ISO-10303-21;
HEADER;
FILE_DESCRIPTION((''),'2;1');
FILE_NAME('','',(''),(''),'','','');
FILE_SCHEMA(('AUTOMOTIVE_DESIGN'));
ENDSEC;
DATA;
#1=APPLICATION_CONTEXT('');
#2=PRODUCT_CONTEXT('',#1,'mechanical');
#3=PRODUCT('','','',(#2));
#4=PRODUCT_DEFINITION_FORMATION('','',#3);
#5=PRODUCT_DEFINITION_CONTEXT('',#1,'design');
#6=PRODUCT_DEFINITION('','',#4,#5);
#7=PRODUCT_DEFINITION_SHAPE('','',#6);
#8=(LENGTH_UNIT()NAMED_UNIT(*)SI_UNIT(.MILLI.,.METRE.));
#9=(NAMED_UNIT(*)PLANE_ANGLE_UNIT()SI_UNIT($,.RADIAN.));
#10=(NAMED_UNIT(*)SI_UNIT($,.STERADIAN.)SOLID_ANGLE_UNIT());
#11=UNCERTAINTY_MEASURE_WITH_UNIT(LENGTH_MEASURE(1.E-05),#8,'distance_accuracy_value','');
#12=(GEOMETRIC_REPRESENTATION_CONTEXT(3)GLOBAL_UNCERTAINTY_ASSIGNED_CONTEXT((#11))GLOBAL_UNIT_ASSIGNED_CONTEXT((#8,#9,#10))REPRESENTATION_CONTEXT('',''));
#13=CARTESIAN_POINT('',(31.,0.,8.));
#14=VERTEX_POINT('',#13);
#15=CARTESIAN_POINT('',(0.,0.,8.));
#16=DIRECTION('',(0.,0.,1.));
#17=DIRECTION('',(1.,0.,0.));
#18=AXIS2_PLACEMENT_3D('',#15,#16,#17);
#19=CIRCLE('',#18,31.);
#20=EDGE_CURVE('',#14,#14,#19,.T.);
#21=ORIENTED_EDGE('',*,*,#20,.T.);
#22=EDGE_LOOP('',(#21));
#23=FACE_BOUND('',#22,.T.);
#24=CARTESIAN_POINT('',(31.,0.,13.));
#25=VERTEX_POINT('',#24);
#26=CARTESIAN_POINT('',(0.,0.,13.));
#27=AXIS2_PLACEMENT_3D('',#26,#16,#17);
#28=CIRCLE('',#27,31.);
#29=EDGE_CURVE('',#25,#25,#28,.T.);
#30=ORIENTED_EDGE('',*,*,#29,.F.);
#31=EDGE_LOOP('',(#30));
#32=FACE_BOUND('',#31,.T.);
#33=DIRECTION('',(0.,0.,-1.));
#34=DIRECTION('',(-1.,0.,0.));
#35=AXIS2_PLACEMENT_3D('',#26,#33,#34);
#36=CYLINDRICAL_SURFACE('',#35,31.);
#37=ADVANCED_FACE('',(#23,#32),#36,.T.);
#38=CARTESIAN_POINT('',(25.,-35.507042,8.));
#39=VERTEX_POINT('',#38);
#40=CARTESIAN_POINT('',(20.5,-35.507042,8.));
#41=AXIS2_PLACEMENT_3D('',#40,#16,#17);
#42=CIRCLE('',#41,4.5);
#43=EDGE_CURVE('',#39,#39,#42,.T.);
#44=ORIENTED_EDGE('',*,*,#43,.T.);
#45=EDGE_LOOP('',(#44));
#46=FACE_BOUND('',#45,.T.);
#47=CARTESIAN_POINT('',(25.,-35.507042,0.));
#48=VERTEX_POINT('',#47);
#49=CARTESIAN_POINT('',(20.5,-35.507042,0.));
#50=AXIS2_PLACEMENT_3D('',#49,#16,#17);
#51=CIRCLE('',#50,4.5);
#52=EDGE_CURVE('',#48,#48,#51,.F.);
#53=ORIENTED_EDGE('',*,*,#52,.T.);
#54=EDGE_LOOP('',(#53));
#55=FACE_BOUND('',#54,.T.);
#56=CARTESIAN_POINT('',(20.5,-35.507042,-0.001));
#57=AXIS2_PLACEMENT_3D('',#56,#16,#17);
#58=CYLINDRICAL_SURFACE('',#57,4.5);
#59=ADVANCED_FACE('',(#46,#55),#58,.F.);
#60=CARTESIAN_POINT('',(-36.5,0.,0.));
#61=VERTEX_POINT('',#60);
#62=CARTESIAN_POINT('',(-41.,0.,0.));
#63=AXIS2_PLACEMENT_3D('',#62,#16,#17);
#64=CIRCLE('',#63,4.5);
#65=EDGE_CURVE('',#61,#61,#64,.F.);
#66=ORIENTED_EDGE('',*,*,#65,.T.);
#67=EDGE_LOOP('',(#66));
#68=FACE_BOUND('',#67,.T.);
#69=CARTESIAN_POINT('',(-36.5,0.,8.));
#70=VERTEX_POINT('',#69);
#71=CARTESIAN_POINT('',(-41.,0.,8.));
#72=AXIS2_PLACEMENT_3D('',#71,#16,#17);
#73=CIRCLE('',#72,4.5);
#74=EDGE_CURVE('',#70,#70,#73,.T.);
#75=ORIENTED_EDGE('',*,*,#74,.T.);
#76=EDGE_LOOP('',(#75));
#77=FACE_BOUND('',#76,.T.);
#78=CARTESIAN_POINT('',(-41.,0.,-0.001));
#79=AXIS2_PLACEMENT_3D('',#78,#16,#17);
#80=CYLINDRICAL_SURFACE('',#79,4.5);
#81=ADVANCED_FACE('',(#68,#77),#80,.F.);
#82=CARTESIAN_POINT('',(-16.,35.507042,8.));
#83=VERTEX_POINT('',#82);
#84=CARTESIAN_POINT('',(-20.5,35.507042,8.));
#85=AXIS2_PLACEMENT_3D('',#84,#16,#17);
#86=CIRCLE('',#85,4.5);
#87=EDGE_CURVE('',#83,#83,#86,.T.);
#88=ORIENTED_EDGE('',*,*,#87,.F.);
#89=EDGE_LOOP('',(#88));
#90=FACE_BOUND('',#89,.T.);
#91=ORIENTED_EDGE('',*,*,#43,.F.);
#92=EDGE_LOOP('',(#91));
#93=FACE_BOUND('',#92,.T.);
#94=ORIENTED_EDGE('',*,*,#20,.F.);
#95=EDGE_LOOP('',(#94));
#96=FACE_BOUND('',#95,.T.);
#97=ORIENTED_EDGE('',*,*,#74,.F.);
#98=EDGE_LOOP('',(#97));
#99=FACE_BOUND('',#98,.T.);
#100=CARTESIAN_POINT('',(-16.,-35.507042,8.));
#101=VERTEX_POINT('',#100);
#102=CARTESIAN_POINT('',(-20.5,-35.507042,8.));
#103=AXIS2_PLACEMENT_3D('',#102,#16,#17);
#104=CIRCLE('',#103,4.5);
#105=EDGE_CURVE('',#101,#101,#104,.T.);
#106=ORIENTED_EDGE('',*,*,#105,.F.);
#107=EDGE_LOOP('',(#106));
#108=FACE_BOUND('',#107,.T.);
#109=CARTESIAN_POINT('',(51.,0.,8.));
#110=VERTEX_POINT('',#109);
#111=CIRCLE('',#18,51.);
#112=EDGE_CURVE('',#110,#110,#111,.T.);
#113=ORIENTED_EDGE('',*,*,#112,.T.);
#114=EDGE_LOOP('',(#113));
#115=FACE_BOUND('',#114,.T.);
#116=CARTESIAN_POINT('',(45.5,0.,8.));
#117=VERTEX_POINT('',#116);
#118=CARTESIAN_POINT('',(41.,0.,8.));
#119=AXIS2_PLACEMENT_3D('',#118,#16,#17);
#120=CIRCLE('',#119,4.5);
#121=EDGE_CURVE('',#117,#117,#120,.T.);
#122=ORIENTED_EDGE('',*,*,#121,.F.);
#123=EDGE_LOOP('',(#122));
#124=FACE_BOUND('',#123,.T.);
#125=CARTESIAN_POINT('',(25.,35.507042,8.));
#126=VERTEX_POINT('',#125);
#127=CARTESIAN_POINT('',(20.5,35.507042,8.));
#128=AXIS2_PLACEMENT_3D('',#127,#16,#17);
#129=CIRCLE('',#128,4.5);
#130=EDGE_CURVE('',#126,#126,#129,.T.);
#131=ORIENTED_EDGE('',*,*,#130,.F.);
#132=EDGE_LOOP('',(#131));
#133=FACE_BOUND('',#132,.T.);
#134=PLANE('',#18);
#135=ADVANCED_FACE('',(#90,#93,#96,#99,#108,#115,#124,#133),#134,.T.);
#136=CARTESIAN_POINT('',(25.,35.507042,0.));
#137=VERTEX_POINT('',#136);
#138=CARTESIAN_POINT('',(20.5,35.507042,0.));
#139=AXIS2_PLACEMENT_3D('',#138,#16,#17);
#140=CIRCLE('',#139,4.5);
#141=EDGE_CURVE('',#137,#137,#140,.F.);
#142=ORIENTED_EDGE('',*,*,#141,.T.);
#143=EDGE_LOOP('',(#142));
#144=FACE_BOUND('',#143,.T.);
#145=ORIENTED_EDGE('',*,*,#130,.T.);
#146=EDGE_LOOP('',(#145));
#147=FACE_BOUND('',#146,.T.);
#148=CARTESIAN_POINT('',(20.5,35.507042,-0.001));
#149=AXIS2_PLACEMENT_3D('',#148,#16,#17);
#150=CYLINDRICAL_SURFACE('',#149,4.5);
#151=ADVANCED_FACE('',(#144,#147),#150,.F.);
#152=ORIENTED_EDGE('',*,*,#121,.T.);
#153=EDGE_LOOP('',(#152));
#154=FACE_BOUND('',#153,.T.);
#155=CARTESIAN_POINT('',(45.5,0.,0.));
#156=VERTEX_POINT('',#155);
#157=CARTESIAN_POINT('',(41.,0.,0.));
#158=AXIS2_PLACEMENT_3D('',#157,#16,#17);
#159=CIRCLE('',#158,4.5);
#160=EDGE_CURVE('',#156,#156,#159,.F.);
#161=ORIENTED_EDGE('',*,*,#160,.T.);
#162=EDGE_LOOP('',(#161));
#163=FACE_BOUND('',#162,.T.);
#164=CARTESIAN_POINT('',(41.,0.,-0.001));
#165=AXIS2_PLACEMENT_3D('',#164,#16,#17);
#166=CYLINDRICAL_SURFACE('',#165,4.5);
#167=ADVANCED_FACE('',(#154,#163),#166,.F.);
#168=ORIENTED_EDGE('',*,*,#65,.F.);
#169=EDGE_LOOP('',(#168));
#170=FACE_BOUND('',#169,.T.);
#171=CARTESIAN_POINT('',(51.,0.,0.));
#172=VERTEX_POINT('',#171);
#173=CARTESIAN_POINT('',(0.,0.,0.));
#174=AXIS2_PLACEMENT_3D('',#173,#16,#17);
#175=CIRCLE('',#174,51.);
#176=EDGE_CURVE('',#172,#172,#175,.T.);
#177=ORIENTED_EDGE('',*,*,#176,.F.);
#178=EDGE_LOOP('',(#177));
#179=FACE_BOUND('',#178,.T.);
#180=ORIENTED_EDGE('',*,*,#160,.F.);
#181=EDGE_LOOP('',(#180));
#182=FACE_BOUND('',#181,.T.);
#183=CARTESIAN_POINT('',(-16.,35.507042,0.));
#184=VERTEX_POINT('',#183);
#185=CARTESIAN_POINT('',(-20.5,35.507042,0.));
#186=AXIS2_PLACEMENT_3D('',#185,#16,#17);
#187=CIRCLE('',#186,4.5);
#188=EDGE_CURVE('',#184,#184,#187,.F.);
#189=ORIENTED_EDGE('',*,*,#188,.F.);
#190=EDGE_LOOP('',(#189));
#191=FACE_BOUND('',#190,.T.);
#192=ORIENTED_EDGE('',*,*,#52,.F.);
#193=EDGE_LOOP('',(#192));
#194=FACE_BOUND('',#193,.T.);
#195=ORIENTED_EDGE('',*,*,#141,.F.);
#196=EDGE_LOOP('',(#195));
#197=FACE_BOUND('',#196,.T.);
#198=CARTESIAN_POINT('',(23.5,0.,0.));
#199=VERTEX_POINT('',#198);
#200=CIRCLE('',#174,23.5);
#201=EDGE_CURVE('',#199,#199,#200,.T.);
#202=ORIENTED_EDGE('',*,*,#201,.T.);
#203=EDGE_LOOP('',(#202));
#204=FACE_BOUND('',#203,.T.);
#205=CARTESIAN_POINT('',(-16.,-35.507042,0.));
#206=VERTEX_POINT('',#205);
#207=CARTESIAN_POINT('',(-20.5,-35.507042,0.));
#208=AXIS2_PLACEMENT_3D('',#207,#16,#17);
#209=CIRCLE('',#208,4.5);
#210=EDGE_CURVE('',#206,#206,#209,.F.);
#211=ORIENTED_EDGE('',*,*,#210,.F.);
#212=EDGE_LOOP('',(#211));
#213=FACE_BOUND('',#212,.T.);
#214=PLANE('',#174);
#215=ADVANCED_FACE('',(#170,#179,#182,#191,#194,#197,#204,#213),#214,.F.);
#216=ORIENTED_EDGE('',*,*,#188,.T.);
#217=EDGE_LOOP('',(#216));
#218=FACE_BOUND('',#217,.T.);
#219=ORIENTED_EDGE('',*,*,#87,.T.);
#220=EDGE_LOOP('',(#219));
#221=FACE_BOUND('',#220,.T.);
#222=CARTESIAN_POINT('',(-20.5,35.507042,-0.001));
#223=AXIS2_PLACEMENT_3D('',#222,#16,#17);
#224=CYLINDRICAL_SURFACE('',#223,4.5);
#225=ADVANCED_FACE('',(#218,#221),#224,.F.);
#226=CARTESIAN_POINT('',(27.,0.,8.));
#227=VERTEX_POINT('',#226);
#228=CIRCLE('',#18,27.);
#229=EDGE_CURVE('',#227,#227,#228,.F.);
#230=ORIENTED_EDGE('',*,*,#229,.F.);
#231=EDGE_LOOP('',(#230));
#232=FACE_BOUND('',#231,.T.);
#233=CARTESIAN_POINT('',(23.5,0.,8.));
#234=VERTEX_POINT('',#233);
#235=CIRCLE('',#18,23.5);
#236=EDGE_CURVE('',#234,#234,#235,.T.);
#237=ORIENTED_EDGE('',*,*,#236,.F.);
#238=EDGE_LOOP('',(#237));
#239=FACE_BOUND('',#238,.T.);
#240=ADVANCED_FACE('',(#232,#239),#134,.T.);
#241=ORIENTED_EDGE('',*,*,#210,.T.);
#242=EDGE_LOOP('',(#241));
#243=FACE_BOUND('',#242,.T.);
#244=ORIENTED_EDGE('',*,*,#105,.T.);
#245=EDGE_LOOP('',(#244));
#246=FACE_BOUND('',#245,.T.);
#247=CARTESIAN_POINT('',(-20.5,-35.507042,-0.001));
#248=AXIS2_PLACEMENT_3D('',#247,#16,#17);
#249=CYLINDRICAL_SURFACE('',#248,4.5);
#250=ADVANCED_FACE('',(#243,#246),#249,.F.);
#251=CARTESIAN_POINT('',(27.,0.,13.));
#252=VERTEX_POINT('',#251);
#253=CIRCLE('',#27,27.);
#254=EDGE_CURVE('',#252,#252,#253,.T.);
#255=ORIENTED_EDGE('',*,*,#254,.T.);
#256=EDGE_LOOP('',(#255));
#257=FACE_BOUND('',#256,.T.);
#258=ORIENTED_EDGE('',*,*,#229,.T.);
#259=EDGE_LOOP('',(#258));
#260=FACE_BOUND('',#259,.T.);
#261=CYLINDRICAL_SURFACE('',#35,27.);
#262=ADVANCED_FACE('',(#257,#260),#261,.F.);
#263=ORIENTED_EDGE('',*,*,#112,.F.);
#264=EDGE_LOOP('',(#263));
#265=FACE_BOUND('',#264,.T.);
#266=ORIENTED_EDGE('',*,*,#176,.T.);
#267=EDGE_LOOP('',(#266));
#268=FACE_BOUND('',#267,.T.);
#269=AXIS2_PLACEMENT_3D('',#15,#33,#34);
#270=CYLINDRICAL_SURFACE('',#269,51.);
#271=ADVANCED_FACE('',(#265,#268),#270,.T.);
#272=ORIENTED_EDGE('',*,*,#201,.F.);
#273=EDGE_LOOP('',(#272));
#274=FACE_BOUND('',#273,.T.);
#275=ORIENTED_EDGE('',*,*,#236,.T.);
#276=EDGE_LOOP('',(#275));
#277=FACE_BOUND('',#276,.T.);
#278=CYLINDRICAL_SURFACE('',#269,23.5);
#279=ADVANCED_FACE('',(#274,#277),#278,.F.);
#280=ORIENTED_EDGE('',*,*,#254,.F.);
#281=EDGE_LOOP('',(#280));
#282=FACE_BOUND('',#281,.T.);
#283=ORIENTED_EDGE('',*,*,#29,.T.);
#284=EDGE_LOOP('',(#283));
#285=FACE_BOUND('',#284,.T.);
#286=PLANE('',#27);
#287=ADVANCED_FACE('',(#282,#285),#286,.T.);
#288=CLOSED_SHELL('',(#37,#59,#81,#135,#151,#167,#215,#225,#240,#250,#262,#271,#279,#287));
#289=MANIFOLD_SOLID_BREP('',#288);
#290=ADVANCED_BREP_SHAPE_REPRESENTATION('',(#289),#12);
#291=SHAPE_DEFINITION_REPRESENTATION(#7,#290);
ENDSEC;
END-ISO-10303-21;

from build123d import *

# Parameters (mm, degrees)
SKETCH_1_R          = 51
SKETCH_1_R_2        = 23.5
EXTRUDE_1_DEPTH     = 8
SKETCH_2_R          = 31
SKETCH_2_R_2        = 27
EXTRUDE_2_DEPTH     = 5
CUT_EXTRUDE_1_REACH = 74.567
SKETCH_3_R          = 4.5


with BuildPart() as part:
    # 草图1 → 凸台-拉伸1 (new body)
    with BuildSketch(Plane.XY):
        Circle(SKETCH_1_R)
        Circle(SKETCH_1_R_2, mode=Mode.SUBTRACT)
    extrude(amount=EXTRUDE_1_DEPTH)

    # 草图2 → 凸台-拉伸2 (add)
    with BuildSketch(Plane.XY.offset(8)):
        Circle(SKETCH_2_R)
        Circle(SKETCH_2_R_2, mode=Mode.SUBTRACT)
    extrude(amount=EXTRUDE_2_DEPTH)

    # 草图3 → 切除-拉伸1 (cut, up to next)
    with BuildSketch(Plane.XY.offset(8), mode=Mode.PRIVATE) as cut_extrude_1_sk1:
        with Locations((41, 0)):
            Circle(SKETCH_3_R)
    cut_extrude_1_tool1 = extrude(cut_extrude_1_sk1.sketch, amount=-CUT_EXTRUDE_1_REACH, mode=Mode.PRIVATE) & part.part
    # 草图3 → 切除-拉伸1 (cut, up to next)
    with BuildSketch(Plane.XY.offset(8), mode=Mode.PRIVATE) as cut_extrude_1_sk2:
        with Locations((20.5, -35.507041555)):
            Circle(SKETCH_3_R)
    cut_extrude_1_tool2 = extrude(cut_extrude_1_sk2.sketch, amount=-CUT_EXTRUDE_1_REACH, mode=Mode.PRIVATE) & part.part
    # 草图3 → 切除-拉伸1 (cut, up to next)
    with BuildSketch(Plane.XY.offset(8), mode=Mode.PRIVATE) as cut_extrude_1_sk3:
        with Locations((-20.5, -35.507041555)):
            Circle(SKETCH_3_R)
    cut_extrude_1_tool3 = extrude(cut_extrude_1_sk3.sketch, amount=-CUT_EXTRUDE_1_REACH, mode=Mode.PRIVATE) & part.part
    # 草图3 → 切除-拉伸1 (cut, up to next)
    with BuildSketch(Plane.XY.offset(8), mode=Mode.PRIVATE) as cut_extrude_1_sk4:
        with Locations((-41, 0)):
            Circle(SKETCH_3_R)
    cut_extrude_1_tool4 = extrude(cut_extrude_1_sk4.sketch, amount=-CUT_EXTRUDE_1_REACH, mode=Mode.PRIVATE) & part.part
    # 草图3 → 切除-拉伸1 (cut, up to next)
    with BuildSketch(Plane.XY.offset(8), mode=Mode.PRIVATE) as cut_extrude_1_sk5:
        with Locations((-20.5, 35.507041555)):
            Circle(SKETCH_3_R)
    cut_extrude_1_tool5 = extrude(cut_extrude_1_sk5.sketch, amount=-CUT_EXTRUDE_1_REACH, mode=Mode.PRIVATE) & part.part
    # 草图3 → 切除-拉伸1 (cut, up to next)
    with BuildSketch(Plane.XY.offset(8), mode=Mode.PRIVATE) as cut_extrude_1_sk6:
        with Locations((20.5, 35.507041555)):
            Circle(SKETCH_3_R)
    cut_extrude_1_tool6 = extrude(cut_extrude_1_sk6.sketch, amount=-CUT_EXTRUDE_1_REACH, mode=Mode.PRIVATE) & part.part
    add(cut_extrude_1_tool1.solids().sort_by_distance((41, 0, 8))[0], mode=Mode.SUBTRACT)
    add(cut_extrude_1_tool2.solids().sort_by_distance((20.5, -35.507042, 8))[0], mode=Mode.SUBTRACT)
    add(cut_extrude_1_tool3.solids().sort_by_distance((-20.5, -35.507042, 8))[0], mode=Mode.SUBTRACT)
    add(cut_extrude_1_tool4.solids().sort_by_distance((-41, 0, 8))[0], mode=Mode.SUBTRACT)
    add(cut_extrude_1_tool5.solids().sort_by_distance((-20.5, 35.507042, 8))[0], mode=Mode.SUBTRACT)
    add(cut_extrude_1_tool6.solids().sort_by_distance((20.5, 35.507042, 8))[0], mode=Mode.SUBTRACT)


solid = part.part
